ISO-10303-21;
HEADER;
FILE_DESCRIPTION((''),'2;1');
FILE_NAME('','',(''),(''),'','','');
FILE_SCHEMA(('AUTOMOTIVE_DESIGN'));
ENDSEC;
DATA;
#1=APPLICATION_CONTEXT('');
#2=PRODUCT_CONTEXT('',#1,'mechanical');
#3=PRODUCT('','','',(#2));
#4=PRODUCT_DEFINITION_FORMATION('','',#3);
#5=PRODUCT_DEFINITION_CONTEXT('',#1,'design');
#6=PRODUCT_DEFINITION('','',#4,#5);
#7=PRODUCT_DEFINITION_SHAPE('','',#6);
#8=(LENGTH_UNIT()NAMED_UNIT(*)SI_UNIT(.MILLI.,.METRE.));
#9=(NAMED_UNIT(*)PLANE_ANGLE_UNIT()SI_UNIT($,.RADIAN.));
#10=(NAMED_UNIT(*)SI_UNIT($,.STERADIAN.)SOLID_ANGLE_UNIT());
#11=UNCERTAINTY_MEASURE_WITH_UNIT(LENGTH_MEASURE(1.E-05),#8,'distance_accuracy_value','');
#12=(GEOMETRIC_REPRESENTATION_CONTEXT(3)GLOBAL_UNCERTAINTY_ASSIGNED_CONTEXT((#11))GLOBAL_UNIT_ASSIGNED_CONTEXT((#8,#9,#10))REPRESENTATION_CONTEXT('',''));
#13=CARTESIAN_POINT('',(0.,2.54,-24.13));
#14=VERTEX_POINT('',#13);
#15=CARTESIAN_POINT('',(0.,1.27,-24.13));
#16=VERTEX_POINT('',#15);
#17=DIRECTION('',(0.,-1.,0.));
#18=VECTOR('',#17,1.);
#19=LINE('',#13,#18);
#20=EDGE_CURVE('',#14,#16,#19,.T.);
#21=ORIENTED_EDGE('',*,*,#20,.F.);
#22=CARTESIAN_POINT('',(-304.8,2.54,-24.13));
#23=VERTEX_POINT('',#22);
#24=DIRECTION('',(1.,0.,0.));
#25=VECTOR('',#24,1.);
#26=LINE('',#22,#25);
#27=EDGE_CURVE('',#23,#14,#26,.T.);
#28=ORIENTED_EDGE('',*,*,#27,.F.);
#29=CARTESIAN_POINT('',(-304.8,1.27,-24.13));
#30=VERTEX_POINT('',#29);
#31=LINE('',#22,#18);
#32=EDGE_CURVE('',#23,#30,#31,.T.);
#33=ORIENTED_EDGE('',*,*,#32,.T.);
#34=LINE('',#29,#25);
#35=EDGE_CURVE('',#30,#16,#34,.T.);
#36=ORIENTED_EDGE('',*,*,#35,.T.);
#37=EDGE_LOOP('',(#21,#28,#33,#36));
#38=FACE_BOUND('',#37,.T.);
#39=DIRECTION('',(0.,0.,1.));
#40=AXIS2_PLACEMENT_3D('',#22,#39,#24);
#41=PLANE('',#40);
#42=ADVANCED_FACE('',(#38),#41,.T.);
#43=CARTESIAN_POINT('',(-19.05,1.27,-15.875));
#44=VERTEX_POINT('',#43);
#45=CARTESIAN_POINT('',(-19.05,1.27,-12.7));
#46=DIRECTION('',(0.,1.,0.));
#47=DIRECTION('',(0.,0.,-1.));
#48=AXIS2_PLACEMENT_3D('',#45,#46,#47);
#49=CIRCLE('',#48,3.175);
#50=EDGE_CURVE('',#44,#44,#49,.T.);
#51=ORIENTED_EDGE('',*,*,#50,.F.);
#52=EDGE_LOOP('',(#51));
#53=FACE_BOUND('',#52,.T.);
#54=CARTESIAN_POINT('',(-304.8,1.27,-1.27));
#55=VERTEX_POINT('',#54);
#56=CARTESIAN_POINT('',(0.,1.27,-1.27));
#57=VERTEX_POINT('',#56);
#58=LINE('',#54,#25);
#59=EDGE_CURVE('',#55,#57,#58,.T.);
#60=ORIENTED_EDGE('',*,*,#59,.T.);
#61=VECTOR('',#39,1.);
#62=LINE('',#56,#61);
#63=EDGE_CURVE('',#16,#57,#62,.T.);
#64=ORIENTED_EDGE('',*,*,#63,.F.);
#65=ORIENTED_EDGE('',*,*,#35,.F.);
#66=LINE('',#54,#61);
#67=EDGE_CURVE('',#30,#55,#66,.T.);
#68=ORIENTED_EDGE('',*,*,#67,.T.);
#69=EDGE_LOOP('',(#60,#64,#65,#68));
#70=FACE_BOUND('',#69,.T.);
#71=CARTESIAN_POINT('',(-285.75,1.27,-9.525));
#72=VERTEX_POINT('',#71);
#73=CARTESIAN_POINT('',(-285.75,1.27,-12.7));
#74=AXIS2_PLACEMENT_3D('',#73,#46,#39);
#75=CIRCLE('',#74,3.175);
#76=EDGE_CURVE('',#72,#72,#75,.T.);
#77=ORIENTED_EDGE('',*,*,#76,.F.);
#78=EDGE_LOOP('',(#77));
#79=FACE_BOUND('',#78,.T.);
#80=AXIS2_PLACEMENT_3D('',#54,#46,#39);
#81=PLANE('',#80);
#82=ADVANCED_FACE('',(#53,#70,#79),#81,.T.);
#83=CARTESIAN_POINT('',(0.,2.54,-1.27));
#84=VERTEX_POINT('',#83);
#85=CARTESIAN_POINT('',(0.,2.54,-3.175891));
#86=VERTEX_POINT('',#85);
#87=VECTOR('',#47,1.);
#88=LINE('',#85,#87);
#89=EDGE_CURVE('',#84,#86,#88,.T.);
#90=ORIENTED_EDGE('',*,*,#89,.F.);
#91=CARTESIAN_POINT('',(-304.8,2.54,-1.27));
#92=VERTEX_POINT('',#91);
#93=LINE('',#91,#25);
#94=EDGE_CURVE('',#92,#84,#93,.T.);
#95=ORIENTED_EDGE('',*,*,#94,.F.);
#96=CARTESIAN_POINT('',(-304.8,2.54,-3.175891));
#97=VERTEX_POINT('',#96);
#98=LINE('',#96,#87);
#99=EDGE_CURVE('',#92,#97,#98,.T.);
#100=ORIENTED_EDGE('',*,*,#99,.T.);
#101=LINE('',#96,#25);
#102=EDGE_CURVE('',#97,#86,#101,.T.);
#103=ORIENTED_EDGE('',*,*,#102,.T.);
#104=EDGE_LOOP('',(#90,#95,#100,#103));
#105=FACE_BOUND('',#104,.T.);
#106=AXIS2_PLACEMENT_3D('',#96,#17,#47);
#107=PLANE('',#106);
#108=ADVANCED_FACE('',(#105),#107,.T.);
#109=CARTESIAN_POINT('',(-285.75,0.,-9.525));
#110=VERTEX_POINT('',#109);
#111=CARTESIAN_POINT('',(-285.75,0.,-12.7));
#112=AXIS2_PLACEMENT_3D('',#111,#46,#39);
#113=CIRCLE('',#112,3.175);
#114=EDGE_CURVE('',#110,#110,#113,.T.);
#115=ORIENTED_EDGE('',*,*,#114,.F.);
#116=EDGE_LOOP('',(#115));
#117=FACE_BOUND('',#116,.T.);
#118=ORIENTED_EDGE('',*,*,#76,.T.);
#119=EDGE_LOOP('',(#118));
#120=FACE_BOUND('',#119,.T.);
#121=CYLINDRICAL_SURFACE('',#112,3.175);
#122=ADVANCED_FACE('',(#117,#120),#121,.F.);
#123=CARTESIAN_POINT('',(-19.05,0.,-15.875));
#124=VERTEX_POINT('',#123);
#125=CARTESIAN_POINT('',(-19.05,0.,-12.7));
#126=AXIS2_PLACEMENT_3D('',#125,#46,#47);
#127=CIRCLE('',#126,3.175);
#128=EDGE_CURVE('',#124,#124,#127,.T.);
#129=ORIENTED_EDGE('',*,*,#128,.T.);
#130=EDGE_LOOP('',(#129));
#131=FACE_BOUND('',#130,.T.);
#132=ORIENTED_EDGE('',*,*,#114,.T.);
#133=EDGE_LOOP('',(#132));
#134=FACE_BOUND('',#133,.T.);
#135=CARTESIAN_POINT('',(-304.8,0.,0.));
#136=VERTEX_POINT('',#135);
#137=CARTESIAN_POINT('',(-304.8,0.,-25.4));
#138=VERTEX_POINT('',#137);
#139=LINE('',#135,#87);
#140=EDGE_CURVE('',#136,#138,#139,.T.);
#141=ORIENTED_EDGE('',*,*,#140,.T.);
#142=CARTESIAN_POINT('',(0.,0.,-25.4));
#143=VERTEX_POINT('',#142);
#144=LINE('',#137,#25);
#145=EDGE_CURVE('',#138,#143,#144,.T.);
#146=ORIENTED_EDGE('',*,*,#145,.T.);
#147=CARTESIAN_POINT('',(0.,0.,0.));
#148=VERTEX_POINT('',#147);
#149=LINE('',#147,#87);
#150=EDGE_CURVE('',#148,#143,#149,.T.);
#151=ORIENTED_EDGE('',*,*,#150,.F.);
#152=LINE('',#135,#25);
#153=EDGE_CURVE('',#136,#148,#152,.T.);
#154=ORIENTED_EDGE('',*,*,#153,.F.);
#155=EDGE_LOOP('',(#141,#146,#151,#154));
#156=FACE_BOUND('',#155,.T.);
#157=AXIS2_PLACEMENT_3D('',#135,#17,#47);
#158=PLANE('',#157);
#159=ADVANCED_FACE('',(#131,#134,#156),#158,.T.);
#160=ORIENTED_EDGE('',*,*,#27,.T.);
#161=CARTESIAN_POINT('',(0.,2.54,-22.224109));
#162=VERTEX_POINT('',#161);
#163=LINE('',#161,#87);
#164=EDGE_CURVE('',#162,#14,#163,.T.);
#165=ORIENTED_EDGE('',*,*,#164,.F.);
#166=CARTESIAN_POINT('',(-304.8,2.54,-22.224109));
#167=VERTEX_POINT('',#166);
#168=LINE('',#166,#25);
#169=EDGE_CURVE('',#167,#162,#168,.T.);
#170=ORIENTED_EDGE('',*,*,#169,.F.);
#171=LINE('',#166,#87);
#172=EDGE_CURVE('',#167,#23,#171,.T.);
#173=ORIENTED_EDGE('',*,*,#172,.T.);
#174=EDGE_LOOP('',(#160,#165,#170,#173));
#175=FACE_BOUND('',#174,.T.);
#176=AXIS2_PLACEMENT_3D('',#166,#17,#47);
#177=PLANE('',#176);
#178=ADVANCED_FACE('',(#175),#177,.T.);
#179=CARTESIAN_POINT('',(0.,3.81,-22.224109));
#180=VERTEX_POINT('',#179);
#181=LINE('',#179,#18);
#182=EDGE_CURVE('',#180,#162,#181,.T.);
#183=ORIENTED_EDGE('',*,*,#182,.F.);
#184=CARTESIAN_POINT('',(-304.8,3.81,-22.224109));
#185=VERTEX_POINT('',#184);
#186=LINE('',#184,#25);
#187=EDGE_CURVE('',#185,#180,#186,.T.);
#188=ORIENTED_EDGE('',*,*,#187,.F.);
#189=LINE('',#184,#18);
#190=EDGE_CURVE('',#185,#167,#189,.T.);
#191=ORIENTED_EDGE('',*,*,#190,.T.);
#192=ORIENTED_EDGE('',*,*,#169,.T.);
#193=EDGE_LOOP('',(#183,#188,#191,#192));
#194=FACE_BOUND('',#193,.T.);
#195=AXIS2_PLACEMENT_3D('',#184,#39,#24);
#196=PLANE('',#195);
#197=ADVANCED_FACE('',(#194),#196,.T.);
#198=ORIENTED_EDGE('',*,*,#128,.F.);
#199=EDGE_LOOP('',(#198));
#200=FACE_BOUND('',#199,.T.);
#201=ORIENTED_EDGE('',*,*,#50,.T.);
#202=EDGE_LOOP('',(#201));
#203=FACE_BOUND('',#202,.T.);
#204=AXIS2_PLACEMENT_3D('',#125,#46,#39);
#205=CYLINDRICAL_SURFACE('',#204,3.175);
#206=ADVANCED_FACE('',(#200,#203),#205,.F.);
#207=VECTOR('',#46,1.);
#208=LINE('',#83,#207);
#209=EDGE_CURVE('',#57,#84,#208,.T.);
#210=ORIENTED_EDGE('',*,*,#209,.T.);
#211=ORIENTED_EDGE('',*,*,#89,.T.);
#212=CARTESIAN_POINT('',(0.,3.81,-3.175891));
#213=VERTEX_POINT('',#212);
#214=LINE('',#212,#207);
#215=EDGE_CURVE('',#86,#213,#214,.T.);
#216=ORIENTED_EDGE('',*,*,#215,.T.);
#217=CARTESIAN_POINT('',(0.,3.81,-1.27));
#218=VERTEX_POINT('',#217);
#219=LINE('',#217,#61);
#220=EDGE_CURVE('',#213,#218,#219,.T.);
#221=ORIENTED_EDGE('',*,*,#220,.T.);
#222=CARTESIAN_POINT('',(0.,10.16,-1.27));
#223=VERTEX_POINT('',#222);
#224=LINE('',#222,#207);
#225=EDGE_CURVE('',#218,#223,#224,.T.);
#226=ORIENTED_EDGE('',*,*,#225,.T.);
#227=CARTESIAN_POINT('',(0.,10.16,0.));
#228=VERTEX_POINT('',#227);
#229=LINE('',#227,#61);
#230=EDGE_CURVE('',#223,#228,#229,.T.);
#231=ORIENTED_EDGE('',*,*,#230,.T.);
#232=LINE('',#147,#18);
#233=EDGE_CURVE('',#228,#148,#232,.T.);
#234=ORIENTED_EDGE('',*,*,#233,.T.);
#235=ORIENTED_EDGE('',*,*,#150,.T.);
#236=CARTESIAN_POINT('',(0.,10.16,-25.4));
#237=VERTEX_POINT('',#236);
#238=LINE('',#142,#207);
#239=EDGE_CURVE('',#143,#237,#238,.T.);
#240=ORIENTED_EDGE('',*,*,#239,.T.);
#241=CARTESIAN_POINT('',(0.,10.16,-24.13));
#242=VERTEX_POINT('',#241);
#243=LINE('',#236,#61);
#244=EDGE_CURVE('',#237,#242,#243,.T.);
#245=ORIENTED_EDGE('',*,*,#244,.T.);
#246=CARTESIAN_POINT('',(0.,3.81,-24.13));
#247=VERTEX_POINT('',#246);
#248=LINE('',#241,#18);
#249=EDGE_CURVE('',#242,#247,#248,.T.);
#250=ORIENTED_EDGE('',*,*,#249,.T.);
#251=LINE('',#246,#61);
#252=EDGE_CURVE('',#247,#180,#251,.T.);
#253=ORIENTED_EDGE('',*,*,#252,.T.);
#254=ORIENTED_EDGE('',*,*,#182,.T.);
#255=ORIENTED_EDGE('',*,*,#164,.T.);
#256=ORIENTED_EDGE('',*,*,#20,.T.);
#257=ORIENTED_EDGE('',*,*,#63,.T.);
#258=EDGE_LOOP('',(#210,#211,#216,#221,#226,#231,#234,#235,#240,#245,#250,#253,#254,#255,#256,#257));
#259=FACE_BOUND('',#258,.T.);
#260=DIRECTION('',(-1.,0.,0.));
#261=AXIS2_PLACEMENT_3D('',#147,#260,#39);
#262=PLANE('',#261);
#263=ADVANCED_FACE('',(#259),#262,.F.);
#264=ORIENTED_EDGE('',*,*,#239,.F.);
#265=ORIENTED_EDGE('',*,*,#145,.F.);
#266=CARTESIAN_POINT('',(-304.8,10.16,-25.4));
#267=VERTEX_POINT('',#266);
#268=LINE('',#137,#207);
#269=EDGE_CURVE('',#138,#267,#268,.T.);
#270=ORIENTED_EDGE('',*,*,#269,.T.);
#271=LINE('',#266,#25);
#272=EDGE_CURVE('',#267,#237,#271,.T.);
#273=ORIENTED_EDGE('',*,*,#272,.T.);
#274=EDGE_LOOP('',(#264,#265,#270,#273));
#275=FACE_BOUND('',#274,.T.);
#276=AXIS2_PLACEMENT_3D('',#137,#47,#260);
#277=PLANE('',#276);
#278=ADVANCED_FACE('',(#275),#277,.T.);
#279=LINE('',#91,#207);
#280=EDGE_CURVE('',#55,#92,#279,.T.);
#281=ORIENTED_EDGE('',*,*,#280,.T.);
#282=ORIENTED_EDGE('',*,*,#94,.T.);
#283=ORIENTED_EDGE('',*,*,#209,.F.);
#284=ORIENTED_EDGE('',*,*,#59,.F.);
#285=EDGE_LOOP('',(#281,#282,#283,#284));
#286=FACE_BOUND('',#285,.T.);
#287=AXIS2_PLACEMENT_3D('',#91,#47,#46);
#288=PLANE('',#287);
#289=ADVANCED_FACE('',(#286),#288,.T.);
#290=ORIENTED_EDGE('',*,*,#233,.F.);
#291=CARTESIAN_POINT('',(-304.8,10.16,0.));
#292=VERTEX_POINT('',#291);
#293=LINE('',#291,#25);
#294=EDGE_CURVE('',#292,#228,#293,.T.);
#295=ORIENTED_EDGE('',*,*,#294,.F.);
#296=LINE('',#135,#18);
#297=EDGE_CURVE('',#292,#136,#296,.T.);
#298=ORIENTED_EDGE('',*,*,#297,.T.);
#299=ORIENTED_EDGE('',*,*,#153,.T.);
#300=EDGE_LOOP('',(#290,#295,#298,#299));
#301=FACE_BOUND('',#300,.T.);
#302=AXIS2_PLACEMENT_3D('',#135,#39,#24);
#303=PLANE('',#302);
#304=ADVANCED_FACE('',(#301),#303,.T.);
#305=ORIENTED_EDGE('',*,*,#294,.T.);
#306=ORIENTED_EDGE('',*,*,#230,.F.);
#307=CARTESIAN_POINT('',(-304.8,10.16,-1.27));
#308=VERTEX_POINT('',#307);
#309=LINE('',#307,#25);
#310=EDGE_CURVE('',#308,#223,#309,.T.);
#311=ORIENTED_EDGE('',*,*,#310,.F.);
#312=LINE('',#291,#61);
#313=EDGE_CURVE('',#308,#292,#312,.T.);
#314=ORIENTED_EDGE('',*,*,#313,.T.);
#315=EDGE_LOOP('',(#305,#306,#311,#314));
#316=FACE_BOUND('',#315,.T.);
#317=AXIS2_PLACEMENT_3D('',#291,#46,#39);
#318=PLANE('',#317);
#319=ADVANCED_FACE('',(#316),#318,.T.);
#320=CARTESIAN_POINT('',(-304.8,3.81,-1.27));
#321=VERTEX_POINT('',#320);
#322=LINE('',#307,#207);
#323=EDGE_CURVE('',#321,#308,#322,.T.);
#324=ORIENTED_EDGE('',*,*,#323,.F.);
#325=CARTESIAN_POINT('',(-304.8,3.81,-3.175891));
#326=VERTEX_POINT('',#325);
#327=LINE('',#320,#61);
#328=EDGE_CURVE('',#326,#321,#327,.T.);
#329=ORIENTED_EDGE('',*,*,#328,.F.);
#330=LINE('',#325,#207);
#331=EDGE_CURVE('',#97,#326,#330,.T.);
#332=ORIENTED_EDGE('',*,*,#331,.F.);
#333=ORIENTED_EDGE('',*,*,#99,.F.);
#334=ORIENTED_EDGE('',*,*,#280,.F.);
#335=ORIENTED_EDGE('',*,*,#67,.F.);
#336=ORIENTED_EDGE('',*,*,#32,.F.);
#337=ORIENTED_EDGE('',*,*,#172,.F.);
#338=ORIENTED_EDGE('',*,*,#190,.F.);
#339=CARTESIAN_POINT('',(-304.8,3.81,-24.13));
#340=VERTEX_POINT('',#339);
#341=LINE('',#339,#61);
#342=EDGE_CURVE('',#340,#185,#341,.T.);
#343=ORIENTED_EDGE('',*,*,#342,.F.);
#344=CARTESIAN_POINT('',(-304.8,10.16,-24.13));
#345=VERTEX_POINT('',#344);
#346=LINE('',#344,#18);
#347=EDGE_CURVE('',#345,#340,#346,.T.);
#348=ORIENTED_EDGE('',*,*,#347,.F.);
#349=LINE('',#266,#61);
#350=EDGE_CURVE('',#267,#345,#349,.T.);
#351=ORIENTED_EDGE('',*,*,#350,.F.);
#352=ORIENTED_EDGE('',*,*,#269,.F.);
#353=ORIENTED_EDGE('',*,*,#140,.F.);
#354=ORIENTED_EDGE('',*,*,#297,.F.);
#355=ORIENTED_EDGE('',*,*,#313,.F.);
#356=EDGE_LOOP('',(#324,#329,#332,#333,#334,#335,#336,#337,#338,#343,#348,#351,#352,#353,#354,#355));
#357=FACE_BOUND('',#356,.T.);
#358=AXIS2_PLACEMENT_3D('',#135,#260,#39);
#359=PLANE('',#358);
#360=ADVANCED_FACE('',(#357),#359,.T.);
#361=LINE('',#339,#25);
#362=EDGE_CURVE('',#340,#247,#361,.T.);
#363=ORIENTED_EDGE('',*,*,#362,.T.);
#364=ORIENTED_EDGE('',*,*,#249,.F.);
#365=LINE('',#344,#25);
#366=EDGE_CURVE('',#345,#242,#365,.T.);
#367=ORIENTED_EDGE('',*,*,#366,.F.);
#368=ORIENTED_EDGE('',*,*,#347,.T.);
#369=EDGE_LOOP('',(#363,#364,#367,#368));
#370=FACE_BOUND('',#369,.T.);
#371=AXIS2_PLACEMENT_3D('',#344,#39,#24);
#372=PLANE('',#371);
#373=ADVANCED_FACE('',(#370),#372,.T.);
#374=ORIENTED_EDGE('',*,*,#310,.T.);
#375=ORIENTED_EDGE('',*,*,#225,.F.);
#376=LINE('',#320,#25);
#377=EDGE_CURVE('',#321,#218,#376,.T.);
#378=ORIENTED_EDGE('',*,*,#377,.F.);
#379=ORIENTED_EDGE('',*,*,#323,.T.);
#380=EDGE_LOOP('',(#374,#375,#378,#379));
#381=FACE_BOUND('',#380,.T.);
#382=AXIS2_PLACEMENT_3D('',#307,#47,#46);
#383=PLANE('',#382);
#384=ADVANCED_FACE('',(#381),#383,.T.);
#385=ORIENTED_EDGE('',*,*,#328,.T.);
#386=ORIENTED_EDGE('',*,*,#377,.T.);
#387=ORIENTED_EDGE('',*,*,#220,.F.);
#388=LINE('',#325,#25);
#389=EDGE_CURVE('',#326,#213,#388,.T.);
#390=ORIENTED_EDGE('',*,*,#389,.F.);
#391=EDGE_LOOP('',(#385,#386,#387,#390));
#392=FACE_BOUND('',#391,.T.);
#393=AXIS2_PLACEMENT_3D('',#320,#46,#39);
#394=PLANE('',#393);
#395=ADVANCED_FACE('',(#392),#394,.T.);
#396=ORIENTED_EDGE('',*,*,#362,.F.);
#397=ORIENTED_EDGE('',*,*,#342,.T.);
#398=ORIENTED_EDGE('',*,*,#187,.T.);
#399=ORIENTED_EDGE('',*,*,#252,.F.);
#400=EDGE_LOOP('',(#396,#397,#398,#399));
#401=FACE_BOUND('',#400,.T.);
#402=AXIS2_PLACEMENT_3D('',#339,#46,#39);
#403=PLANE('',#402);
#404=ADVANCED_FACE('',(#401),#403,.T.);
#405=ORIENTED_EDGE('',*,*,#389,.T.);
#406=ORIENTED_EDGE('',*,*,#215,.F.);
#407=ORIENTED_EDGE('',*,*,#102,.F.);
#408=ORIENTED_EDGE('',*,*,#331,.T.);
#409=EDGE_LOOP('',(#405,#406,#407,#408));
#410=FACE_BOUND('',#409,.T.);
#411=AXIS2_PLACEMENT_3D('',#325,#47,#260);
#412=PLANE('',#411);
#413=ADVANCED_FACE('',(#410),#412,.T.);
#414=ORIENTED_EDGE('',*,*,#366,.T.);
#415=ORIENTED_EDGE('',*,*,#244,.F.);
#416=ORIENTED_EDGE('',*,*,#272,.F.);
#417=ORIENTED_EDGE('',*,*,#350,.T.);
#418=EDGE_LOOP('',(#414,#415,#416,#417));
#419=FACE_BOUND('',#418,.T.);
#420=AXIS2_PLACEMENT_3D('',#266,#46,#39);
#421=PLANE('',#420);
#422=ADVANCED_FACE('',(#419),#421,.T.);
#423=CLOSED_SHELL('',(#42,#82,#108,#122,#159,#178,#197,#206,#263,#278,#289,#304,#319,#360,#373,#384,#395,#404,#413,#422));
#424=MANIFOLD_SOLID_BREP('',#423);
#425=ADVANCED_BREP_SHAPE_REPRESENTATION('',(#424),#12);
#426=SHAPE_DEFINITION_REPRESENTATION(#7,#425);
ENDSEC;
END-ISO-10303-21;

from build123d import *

# Parameters (mm, degrees)
BOSS_EXTRUDE1_DEPTH = 304.8
SKETCH2_R           = 3.175
CUT_EXTRUDE2_DEPTH  = 306.985673031


with BuildPart() as part:
    # Sketch1 → Boss-Extrude1 (new body)
    with BuildSketch(Plane(origin=(0, 0, 0), x_dir=(0, 0, -1), z_dir=(1, 0, 0))):
        Polygon((0, 0), (25.4, 0), (25.4, 10.16), (24.13, 10.16), (24.13, 3.81), (22.224108836, 3.81), (22.224108836, 2.54), (24.13, 2.54), (24.13, 1.27), (1.27, 1.27), (1.27, 2.54), (3.175891164, 2.54), (3.175891164, 3.81), (1.27, 3.81), (1.27, 10.16), (0, 10.16), align=None)
    extrude(amount=-BOSS_EXTRUDE1_DEPTH)

    # Sketch2 → Cut-Extrude2 (cut, through all)
    with BuildSketch(Plane(origin=(0, 1.27, 0), x_dir=(1, 0, 0), z_dir=(0, 1, 0))):
        with Locations(Location((-285.75, 12.7, 0), (0, 0, 270))):
            Circle(SKETCH2_R)
        with Locations(Location((-19.05, 12.7, 0), (0, 0, 90))):
            Circle(SKETCH2_R)
    extrude(amount=-CUT_EXTRUDE2_DEPTH, mode=Mode.SUBTRACT)


solid = part.part
